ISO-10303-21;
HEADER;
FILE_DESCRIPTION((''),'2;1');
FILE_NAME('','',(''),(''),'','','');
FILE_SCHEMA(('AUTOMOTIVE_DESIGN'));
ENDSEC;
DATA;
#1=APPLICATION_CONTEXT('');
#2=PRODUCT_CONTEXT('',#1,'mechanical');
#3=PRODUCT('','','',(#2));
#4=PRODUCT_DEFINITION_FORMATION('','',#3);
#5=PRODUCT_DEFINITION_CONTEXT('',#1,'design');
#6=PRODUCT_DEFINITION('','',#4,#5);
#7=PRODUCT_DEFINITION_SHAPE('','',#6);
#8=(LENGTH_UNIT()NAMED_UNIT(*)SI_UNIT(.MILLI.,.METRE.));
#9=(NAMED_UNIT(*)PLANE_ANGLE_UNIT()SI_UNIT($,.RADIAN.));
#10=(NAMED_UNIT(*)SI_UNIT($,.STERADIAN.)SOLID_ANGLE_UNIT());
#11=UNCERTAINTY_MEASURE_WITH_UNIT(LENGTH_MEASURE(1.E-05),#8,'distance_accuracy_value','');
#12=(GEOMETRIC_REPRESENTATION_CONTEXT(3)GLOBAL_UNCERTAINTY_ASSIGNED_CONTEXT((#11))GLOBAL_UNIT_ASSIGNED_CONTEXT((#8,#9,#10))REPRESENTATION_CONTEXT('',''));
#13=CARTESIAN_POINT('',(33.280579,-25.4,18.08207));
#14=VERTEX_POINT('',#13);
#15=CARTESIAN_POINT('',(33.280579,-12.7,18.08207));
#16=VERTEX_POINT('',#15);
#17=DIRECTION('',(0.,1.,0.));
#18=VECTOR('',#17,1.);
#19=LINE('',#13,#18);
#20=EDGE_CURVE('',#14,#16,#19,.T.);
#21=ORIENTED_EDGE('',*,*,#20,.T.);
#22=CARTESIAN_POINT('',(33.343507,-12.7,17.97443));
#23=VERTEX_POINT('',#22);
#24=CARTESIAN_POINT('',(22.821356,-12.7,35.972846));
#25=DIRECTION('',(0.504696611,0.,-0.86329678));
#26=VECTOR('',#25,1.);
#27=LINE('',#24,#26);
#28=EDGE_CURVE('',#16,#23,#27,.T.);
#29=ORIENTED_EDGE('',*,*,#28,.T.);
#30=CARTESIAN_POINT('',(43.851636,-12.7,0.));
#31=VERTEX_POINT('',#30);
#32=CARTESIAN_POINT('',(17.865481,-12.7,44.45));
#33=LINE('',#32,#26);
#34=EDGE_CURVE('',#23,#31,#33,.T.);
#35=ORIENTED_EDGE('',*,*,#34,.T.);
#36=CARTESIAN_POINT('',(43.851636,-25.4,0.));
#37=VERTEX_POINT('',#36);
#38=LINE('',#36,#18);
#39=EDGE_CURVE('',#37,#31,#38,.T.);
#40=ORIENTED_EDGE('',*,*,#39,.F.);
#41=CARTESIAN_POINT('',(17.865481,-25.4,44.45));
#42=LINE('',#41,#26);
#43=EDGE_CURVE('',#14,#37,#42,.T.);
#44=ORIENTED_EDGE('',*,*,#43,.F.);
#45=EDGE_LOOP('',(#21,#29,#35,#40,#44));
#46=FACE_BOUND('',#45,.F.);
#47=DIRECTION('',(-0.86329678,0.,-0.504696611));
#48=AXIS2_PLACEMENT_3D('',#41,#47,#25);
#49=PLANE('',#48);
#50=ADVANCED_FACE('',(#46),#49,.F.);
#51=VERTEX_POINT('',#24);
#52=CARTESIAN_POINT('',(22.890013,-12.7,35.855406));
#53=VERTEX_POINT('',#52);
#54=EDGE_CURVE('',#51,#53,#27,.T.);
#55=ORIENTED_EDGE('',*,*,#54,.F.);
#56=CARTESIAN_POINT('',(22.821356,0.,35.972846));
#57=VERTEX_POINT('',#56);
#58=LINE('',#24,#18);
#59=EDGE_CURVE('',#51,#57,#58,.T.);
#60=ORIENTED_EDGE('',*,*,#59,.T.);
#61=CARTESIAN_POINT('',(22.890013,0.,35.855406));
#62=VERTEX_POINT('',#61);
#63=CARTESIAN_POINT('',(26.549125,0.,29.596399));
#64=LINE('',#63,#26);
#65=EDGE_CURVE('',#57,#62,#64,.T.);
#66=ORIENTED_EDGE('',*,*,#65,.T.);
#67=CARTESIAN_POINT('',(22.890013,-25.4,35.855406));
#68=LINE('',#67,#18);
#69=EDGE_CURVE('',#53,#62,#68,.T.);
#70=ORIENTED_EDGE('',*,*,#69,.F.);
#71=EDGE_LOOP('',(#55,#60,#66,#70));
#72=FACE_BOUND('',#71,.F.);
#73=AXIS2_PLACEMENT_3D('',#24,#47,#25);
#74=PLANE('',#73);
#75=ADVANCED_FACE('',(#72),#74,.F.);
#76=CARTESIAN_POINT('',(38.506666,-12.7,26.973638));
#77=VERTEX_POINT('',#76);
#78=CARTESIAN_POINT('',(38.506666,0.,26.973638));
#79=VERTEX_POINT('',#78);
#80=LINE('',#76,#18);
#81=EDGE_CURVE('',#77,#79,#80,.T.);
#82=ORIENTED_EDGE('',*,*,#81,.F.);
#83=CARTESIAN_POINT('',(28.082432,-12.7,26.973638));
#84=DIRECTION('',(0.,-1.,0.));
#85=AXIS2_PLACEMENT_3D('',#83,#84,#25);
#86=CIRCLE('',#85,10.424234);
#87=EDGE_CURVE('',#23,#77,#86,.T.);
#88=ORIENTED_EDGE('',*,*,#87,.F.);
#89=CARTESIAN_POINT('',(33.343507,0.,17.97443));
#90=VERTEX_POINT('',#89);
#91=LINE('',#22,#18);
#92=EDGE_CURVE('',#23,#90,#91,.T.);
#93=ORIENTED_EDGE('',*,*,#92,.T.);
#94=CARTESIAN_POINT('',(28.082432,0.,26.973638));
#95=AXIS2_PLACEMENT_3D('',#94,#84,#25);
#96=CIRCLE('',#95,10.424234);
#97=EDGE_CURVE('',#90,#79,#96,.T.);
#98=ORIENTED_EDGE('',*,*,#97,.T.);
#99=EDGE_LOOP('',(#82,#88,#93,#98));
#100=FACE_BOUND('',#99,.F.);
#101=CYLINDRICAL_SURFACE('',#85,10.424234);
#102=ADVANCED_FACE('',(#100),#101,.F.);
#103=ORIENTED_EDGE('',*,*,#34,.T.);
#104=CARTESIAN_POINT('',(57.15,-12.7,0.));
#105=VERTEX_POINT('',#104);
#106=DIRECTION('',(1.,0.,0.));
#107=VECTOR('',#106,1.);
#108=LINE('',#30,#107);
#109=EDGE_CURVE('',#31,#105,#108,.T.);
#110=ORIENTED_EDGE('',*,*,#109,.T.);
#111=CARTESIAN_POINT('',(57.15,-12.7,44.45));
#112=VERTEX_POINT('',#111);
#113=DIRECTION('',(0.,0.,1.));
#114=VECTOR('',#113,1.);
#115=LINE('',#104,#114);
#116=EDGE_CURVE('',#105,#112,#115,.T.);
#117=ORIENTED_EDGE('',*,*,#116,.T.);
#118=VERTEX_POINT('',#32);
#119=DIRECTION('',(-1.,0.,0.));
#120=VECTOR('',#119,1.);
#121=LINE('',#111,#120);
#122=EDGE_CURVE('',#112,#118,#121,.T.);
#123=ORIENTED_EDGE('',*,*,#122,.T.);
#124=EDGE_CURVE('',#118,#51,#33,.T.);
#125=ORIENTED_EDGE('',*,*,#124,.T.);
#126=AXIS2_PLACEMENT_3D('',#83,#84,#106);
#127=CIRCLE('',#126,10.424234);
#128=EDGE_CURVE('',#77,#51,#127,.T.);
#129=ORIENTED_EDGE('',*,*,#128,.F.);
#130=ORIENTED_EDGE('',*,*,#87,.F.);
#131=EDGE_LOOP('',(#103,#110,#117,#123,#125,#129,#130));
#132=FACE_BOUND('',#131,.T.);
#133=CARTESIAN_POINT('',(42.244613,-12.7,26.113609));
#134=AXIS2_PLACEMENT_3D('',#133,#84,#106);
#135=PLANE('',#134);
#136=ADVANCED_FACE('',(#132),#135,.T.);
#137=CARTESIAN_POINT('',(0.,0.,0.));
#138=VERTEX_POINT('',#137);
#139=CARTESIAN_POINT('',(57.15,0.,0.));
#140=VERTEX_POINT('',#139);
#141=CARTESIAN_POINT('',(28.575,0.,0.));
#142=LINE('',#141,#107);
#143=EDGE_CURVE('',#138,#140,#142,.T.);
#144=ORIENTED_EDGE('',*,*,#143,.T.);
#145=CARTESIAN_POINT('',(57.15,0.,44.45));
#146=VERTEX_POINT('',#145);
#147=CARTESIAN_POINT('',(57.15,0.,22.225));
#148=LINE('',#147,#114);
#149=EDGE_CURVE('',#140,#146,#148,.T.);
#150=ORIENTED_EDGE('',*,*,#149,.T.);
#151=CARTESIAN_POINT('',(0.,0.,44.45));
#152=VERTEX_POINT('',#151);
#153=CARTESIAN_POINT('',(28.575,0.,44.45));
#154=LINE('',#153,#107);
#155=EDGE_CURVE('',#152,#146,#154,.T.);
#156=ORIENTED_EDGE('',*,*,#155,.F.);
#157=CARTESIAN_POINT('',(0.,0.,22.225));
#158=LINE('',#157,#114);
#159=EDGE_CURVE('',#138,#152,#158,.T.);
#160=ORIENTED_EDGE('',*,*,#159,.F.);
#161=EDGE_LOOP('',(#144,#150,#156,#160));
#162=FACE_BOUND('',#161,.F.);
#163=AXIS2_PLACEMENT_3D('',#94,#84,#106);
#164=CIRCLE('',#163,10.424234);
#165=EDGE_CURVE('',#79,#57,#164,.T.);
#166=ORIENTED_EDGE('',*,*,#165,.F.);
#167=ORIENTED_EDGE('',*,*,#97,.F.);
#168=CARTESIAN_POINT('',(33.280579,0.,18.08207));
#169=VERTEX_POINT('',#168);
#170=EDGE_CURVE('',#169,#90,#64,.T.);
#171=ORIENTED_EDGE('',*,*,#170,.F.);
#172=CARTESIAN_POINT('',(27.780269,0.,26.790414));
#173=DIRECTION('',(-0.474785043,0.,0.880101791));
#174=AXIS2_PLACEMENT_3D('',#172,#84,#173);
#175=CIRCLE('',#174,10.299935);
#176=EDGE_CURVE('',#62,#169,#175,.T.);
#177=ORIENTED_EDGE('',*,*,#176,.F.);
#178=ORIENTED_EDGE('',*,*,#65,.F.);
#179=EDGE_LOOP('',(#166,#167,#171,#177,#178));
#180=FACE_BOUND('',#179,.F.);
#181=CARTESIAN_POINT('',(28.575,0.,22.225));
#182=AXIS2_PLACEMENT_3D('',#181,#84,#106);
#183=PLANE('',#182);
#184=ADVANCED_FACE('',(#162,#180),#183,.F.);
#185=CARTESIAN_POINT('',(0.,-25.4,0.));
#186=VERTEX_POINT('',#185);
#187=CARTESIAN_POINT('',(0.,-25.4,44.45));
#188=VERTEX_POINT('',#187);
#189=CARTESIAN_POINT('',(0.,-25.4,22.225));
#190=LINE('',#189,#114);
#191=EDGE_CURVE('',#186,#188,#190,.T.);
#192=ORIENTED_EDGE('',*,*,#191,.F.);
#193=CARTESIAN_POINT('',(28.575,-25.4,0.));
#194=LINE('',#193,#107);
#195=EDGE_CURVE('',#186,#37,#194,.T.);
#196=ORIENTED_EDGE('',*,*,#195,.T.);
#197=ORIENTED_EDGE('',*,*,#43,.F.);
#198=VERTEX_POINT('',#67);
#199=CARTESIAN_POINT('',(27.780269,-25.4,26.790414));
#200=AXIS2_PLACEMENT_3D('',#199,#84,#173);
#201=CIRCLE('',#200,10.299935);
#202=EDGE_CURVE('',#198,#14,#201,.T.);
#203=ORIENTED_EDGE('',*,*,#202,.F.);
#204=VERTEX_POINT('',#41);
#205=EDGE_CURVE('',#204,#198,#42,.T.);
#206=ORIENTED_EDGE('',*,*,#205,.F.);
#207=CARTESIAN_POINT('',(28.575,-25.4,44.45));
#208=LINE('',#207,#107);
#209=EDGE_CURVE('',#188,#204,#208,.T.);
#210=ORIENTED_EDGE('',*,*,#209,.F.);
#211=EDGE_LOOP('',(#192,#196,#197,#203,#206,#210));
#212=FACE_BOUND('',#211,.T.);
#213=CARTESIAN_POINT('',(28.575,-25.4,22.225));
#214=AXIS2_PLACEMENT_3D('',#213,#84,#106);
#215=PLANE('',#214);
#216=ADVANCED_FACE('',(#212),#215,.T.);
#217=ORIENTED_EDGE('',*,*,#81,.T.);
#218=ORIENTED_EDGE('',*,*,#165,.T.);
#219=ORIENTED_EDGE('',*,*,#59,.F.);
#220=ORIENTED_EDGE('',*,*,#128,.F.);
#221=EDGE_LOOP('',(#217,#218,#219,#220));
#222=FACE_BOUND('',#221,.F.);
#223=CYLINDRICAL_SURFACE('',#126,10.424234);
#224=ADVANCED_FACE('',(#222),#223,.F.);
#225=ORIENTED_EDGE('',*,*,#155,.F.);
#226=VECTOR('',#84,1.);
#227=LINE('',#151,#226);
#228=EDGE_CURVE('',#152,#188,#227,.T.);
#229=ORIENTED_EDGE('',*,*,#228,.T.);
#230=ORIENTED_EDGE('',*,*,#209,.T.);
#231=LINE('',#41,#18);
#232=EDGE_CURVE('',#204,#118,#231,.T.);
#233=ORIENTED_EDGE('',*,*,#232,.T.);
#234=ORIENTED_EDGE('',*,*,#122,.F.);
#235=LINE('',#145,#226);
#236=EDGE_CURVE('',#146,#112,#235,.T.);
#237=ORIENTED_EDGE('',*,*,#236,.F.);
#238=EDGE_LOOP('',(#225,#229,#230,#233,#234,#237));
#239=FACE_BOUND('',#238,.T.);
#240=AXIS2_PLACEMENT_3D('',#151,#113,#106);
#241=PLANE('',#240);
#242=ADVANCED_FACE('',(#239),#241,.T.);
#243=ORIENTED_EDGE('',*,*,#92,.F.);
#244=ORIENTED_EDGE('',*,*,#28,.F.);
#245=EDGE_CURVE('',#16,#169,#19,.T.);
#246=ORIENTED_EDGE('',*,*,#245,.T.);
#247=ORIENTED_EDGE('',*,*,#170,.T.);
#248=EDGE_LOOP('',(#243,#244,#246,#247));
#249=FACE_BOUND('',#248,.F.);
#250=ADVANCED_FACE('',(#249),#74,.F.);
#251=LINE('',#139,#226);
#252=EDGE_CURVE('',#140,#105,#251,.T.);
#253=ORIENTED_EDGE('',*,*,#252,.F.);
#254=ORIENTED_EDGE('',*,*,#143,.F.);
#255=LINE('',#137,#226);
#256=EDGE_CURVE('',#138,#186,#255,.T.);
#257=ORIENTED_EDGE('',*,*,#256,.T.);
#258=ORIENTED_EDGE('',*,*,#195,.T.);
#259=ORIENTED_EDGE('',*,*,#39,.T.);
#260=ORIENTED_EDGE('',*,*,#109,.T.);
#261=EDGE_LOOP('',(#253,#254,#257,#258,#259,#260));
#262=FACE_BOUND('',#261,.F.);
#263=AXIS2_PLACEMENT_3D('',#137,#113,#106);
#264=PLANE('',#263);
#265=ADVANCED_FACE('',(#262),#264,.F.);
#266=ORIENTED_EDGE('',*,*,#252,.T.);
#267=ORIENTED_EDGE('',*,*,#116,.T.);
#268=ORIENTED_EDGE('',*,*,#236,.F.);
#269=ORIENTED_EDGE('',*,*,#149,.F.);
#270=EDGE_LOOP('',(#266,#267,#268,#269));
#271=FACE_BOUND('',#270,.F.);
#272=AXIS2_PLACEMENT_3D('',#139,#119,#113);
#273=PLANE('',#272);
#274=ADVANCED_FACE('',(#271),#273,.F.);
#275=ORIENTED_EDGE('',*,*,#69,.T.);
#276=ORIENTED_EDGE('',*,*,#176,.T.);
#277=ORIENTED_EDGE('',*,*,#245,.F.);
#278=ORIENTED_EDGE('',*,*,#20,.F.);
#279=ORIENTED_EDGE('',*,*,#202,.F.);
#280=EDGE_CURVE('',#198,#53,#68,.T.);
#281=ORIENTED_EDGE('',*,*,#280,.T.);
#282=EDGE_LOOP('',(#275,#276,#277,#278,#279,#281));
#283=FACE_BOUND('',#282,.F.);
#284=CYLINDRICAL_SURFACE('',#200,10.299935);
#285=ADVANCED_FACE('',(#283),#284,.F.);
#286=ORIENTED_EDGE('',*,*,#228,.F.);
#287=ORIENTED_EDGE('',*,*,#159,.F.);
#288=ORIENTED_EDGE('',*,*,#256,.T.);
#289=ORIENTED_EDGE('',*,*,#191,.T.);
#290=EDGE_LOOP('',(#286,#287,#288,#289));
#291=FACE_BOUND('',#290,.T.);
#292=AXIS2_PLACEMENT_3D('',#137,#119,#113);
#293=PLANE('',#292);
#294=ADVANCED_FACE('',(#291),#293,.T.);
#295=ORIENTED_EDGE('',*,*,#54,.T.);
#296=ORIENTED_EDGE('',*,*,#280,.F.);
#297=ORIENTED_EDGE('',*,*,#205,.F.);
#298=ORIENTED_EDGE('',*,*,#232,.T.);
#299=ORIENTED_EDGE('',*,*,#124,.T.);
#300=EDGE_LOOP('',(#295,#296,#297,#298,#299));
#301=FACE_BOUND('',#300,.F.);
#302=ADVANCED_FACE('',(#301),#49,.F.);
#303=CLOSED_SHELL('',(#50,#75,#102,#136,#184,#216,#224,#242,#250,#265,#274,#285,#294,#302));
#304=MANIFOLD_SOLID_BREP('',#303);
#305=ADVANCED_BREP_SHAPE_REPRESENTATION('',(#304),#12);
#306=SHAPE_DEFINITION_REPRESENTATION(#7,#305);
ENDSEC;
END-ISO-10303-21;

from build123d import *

# Parameters (mm, degrees)
F0_W     = 57.15
F0_H     = 44.45
F1_DEPTH = 25.4
F3_DEPTH = 12.7
F5_DEPTH = 12.701
F7_DEPTH = 25.401


with BuildPart() as f1:
    # F0 (on Front) → F1 (new body)
    with BuildSketch(Plane.XZ):
        with Locations((28.575, 22.225)):
            Rectangle(F0_W, F0_H)
    extrude(amount=F1_DEPTH)

    # F2 (on face) → F3 (cut)
    with BuildSketch(Plane.XZ.offset(25.4)):
        Polygon((57.15, 44.45), (17.8654808551, 44.45), (43.8516363502, 0), (57.15, 0), align=None)
    extrude(amount=-F3_DEPTH, mode=Mode.SUBTRACT)

    # F4 (on face) → F5 (cut, through all)
    with BuildSketch(Plane.XZ.offset(12.7)):
        with BuildLine():
            ThreePointArc((33.3435072178, 17.9744302701), (37.1242051851, 21.7860579667), (38.5066656507, 26.9736379303))
            ThreePointArc((38.5066656507, 26.9736379303), (33.2700116001, 36.0154114789), (22.8213560552, 35.9728455904))
            Line((22.8213560552, 35.9728455904), (33.3435072178, 17.9744302701))
        make_face()
    extrude(amount=-F5_DEPTH, mode=Mode.SUBTRACT)

    # F6 (on face) → F7 (cut, through all)
    with BuildSketch(Plane.XZ.offset(25.4)):
        with BuildLine():
            Line((33.2805792258, 18.0820702495), (22.8900132849, 35.8554055997))
            ThreePointArc((22.8900132849, 35.8554055997), (18.8883674995, 21.5920715416), (33.2805792258, 18.0820702495))
        make_face()
    extrude(amount=-F7_DEPTH, mode=Mode.SUBTRACT)


solid = f1.part
